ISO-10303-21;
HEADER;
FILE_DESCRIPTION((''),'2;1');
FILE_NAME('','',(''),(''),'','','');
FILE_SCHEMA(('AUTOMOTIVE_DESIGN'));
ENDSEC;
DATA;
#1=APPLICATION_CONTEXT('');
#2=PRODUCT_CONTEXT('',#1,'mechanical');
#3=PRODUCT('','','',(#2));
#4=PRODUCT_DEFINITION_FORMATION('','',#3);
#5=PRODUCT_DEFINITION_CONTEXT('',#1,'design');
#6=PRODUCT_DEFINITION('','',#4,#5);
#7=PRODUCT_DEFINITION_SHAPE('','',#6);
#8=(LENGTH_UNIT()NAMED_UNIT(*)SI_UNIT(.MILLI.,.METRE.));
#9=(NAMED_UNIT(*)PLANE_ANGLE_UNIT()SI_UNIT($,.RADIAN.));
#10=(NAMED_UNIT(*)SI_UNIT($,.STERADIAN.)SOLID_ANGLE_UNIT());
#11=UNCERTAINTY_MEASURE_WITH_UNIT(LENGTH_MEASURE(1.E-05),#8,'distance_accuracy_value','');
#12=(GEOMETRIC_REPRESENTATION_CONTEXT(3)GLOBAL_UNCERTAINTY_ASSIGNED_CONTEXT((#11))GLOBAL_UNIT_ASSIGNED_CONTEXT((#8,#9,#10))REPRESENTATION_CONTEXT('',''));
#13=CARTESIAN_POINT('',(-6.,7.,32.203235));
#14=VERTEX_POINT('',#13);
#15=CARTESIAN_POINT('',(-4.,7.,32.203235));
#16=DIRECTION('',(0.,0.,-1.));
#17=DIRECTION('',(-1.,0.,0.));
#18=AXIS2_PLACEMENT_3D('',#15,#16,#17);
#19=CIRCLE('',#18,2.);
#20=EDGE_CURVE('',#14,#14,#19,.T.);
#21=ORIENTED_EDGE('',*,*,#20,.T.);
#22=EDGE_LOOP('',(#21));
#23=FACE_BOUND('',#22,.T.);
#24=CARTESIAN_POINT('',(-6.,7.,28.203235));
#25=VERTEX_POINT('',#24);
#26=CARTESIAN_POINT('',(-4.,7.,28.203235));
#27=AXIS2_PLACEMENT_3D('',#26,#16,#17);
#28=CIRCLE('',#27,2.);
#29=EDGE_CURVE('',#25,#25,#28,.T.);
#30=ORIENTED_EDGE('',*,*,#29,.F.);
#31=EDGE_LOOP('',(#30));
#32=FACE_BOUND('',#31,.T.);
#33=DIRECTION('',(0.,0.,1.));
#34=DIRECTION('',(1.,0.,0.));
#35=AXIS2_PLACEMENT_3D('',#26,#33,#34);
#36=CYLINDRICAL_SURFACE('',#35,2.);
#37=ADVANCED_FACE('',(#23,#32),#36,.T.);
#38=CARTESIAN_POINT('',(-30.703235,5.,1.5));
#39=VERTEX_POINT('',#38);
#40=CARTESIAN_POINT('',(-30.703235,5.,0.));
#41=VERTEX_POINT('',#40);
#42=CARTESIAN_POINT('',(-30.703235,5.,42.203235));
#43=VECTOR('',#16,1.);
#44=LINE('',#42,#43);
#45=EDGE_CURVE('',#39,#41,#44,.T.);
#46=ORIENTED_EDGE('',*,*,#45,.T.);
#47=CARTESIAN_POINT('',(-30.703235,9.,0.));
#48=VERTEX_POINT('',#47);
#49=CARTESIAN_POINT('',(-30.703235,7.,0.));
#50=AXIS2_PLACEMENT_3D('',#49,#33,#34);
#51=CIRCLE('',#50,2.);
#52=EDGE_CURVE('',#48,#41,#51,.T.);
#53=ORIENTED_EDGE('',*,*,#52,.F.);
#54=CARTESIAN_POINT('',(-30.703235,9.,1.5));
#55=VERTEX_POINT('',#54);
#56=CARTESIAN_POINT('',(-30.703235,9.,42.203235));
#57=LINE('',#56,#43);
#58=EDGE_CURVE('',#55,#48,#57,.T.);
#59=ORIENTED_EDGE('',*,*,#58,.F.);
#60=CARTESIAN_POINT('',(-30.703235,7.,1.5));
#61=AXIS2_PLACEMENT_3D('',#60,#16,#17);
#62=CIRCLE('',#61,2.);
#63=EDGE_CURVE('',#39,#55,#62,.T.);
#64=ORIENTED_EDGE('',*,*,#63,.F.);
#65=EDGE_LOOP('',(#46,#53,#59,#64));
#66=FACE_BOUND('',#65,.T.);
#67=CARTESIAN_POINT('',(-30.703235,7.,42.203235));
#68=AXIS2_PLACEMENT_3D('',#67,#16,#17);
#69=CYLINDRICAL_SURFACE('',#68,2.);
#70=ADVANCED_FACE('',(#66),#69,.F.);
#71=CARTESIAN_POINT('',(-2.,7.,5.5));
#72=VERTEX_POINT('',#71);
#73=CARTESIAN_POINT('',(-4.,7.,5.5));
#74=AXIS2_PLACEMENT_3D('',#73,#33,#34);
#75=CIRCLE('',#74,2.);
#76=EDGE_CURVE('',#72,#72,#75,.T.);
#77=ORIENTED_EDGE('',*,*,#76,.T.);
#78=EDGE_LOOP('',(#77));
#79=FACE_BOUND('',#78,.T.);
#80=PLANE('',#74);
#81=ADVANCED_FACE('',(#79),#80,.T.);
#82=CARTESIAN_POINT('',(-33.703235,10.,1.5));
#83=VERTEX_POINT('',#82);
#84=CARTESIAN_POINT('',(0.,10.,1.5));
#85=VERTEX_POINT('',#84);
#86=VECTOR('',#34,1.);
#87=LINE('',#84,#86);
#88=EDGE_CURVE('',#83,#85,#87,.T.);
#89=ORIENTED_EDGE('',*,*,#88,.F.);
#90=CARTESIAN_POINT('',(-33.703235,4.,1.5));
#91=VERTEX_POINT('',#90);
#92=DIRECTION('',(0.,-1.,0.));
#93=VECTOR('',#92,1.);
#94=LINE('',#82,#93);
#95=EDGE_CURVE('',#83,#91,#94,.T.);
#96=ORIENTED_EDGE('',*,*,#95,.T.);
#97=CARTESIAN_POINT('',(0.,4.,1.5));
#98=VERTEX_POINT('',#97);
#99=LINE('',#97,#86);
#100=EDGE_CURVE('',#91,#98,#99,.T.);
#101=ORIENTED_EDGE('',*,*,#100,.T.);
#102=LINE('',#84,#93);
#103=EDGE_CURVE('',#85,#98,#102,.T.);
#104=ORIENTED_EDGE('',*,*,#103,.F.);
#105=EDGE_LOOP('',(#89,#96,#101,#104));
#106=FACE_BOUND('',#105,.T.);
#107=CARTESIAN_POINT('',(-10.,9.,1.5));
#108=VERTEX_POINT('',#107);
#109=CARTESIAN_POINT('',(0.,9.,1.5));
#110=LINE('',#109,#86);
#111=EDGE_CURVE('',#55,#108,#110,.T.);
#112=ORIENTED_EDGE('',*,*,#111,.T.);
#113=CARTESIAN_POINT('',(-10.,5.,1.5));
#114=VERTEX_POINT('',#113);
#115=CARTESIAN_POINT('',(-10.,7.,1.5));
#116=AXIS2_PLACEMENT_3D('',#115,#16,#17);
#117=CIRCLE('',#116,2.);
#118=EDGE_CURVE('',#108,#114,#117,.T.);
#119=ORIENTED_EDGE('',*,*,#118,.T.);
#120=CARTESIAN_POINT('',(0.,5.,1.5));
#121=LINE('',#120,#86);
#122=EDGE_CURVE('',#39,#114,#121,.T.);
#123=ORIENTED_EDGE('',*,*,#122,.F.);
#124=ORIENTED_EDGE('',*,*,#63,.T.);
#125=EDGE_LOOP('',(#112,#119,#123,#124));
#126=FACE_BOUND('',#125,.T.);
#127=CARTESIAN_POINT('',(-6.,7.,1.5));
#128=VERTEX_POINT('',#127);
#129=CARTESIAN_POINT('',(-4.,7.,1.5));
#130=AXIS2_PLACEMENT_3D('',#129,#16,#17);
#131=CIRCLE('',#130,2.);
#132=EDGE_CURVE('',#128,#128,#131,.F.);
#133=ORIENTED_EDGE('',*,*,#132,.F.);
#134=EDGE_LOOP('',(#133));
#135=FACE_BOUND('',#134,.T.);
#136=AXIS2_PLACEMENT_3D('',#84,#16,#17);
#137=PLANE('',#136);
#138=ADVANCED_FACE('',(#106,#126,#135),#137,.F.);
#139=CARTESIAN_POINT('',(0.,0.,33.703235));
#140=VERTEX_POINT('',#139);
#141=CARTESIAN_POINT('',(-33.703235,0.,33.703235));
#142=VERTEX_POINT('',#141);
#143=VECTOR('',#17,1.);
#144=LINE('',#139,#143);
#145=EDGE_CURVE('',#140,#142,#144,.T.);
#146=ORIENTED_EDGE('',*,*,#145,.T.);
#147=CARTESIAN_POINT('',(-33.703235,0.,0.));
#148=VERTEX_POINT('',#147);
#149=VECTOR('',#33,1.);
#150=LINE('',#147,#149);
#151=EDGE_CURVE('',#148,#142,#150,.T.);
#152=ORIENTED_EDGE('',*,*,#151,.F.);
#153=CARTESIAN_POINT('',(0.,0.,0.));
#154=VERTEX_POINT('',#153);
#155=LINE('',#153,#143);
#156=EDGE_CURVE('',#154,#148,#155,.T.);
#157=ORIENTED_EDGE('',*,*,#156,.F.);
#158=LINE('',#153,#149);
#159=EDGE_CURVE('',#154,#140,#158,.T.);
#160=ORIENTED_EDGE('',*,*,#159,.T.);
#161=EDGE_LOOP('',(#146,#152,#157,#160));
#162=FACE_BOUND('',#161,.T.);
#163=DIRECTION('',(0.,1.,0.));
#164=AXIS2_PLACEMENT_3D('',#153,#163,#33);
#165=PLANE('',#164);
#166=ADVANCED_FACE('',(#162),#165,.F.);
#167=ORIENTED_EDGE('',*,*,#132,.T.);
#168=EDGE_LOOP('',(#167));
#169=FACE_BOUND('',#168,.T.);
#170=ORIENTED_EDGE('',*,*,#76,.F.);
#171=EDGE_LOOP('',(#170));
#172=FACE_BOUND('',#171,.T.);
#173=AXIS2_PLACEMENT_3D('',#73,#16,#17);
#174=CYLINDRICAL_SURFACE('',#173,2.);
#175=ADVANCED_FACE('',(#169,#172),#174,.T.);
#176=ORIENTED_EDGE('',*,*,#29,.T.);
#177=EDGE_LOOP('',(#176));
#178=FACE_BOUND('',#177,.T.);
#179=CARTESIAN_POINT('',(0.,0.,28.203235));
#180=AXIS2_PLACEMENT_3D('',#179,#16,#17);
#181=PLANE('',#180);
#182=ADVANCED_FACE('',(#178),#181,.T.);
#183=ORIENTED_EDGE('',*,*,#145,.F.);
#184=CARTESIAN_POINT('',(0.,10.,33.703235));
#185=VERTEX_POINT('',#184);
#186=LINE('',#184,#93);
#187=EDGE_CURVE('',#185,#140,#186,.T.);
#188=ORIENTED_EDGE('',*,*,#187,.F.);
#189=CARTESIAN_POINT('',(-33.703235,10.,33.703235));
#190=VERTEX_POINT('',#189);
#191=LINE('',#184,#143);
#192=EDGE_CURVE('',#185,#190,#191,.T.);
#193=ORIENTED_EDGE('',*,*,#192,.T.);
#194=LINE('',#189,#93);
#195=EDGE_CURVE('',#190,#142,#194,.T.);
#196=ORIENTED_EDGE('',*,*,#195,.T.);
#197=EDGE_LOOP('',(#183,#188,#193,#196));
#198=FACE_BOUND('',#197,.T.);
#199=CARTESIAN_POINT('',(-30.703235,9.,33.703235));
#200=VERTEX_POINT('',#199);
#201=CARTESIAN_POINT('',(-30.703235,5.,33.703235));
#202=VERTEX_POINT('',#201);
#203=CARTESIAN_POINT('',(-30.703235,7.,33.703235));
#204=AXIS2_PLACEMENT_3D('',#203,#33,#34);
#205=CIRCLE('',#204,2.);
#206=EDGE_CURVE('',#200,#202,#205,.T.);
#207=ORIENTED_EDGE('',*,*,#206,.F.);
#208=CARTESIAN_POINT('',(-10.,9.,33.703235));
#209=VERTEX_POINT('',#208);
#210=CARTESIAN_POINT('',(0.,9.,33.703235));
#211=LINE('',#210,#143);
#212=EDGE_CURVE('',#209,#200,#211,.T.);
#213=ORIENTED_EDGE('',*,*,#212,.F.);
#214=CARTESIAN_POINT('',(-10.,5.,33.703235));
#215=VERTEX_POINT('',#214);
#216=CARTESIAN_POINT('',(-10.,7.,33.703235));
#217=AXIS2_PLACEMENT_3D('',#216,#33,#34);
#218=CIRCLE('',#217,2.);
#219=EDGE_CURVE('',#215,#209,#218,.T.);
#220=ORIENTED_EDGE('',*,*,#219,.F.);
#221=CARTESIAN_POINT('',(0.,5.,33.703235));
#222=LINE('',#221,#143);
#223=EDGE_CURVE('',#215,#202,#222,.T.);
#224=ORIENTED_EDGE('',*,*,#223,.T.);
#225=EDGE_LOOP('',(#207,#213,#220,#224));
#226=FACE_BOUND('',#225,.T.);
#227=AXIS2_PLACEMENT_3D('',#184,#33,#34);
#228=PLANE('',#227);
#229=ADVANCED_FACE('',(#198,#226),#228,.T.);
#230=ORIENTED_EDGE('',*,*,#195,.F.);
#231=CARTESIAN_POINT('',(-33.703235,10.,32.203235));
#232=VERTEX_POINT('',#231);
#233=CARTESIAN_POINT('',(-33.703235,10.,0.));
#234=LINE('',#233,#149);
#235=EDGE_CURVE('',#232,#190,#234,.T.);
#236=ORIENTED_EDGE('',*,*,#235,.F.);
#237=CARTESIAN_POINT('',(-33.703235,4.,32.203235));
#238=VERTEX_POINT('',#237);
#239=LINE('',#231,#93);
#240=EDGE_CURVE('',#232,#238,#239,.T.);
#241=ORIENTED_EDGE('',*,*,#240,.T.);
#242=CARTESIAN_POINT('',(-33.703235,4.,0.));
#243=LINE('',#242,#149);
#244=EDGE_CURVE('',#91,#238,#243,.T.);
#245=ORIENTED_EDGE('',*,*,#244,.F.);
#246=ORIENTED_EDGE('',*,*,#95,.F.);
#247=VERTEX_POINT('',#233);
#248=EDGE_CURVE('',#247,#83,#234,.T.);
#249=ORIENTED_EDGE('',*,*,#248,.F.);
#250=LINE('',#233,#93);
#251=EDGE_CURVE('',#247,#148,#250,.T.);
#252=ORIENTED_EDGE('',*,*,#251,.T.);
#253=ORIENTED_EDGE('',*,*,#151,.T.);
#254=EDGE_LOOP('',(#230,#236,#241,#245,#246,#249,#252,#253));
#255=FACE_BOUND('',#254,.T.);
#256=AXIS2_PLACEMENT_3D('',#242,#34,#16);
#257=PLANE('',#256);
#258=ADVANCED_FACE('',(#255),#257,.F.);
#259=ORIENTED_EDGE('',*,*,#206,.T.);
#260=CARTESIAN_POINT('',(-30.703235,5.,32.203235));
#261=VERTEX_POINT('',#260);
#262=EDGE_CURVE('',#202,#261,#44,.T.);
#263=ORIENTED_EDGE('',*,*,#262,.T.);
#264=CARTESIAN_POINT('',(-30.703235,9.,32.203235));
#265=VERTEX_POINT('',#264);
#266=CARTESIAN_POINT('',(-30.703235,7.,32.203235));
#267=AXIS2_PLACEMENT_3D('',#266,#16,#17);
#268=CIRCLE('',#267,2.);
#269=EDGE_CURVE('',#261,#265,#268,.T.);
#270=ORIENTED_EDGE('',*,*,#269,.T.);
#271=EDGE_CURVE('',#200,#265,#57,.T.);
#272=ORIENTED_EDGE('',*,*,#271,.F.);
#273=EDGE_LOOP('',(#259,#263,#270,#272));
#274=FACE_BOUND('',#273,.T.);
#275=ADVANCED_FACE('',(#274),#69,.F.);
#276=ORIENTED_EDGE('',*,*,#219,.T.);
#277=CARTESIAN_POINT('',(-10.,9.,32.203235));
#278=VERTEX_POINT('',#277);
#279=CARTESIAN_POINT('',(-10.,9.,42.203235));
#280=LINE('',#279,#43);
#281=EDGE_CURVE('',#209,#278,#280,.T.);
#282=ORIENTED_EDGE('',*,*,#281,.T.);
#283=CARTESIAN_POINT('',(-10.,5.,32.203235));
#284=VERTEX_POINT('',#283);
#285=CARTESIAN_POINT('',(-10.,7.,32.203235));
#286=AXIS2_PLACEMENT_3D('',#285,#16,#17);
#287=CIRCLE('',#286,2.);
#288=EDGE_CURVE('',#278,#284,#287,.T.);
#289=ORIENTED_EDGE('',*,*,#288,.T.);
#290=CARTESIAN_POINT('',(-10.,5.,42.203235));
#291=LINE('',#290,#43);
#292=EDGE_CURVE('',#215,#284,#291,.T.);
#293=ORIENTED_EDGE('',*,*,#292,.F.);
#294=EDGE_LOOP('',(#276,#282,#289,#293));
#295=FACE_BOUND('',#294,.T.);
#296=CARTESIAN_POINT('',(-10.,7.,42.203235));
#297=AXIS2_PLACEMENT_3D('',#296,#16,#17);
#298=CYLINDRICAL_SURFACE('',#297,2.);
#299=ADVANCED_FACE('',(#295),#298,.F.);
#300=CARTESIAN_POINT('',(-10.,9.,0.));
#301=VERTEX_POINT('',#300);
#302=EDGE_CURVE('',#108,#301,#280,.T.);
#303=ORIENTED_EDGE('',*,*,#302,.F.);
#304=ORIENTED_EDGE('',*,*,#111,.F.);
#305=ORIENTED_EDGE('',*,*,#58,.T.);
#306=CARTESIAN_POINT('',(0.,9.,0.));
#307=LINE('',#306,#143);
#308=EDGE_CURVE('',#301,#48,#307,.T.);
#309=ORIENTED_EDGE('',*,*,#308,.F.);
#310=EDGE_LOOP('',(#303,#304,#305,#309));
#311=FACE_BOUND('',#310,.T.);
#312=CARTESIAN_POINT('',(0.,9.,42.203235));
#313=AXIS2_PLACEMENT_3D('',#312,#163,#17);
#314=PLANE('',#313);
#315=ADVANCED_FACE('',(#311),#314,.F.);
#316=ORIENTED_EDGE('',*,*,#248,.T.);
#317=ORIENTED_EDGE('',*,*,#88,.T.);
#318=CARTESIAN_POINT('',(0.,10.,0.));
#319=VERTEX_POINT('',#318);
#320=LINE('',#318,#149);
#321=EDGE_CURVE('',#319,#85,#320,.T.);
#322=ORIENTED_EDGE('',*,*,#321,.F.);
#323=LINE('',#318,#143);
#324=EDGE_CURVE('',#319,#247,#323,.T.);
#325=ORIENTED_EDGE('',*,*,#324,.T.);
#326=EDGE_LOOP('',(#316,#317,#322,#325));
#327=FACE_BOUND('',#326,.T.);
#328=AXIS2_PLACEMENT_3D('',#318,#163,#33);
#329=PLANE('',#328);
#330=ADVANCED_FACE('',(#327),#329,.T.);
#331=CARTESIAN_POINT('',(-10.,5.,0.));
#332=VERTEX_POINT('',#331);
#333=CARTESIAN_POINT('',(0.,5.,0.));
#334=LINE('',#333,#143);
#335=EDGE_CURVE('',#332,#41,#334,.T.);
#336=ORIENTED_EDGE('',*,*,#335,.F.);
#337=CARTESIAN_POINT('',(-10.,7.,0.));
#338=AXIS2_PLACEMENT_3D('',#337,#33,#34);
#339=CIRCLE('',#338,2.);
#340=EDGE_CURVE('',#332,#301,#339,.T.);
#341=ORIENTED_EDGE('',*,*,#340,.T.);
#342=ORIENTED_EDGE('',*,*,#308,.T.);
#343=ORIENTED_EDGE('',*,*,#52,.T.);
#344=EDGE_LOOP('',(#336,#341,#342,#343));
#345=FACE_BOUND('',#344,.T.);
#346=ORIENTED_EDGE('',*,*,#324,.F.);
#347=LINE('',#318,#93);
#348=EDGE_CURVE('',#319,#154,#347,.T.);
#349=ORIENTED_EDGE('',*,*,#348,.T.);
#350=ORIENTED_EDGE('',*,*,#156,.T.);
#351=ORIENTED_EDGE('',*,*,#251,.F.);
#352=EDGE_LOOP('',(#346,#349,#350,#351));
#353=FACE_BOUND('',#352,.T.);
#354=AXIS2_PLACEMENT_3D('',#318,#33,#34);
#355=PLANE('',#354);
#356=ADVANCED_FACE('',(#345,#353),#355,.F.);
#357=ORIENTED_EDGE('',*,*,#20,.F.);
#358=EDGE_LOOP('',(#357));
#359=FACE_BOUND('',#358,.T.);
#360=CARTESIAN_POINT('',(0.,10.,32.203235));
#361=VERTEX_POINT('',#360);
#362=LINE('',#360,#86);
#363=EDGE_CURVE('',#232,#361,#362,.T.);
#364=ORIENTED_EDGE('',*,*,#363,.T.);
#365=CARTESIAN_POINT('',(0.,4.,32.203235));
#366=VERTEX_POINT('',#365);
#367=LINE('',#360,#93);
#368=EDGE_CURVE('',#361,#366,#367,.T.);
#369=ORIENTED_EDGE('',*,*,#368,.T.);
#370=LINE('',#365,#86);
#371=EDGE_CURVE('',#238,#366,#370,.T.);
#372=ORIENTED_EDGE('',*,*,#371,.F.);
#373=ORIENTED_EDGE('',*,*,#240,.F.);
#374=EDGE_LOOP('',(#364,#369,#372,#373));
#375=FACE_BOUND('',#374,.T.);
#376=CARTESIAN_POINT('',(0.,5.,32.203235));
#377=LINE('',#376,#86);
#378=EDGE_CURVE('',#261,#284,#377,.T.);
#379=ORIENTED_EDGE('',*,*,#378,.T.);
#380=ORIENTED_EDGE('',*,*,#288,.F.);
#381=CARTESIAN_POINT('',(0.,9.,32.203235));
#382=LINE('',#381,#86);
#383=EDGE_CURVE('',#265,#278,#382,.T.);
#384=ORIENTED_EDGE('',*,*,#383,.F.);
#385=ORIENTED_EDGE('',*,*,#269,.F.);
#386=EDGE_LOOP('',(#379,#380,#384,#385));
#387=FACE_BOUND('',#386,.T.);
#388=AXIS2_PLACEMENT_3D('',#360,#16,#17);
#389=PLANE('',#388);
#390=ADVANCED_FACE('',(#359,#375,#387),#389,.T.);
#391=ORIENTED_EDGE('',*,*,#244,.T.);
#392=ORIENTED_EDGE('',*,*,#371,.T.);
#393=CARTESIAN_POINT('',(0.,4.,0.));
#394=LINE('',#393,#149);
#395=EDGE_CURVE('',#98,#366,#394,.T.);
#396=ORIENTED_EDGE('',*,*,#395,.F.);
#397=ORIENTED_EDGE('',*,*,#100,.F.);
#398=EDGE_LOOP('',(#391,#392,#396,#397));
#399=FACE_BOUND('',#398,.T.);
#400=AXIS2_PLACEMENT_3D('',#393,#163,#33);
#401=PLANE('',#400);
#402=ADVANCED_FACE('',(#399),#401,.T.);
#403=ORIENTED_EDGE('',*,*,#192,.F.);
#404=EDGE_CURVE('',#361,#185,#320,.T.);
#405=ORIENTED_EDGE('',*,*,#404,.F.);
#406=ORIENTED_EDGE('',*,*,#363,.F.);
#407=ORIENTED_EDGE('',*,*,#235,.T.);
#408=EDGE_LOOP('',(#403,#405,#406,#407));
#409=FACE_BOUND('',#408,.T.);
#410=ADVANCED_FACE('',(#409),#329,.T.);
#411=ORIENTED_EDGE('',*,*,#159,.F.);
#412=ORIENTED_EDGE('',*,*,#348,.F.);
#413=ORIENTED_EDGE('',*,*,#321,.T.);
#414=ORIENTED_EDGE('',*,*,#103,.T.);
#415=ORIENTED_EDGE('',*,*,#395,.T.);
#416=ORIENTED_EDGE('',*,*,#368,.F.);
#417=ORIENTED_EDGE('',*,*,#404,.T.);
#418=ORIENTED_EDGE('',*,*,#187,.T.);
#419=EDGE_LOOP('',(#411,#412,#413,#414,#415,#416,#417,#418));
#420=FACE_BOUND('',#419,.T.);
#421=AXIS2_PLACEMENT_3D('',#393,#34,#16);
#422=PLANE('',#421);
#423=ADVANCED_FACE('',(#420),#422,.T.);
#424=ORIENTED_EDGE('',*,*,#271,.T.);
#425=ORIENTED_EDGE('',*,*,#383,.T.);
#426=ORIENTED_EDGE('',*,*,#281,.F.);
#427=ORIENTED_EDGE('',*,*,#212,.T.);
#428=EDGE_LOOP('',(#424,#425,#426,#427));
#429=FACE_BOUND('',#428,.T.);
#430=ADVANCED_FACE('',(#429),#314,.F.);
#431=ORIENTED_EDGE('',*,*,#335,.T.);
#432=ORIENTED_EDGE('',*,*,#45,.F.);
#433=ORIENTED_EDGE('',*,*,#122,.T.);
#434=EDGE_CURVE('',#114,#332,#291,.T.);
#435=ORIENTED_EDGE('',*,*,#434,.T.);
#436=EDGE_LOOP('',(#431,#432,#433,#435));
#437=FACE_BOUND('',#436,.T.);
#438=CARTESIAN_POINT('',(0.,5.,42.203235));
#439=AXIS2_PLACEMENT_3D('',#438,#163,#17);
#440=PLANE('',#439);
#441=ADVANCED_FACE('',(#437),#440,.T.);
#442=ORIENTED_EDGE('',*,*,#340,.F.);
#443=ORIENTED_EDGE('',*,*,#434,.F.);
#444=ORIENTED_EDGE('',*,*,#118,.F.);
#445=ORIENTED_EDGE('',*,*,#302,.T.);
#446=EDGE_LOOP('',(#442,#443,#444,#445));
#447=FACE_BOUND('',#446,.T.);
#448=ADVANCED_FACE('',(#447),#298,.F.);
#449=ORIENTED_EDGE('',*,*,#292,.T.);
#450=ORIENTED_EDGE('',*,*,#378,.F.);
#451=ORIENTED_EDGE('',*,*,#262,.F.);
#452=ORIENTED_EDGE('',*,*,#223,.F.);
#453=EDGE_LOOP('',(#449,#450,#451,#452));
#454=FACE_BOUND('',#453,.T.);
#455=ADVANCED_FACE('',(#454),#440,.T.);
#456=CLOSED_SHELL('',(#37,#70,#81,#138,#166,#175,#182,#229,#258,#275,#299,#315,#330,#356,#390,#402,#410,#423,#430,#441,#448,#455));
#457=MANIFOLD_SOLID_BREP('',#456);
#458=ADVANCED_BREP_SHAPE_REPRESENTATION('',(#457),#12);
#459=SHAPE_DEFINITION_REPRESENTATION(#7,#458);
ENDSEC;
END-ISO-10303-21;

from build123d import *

# Parameters (mm, degrees)
SKETCH1_W               = 33.703234699
SKETCH1_H               = 30.703234699
BOSS_EXTRUDE1_DEPTH     = 4
SKETCH1_3_W             = 33.703234699
SKETCH1_3_H             = 1.5
BOSS_EXTRUDE2_DEPTH     = 10
SKETCH5_R               = 2
BOSS_EXTRUDE3_DEPTH     = 4
BOSS_EXTRUDE4_START     = 4
SKETCH4_R               = 2
BOSS_EXTRUDE4_DEPTH     = 4
CUT_EXTRUDE1_DEPTH      = 38
CUT_EXTRUDE1_DEPTH_BACK = 10


with BuildPart() as part:
    # Sketch1 → Boss-Extrude1 (new body)
    with BuildSketch(Plane(origin=(0, 0, 0), x_dir=(1, 0, 0), z_dir=(0, 1, 0))):
        with Locations((-16.851617349, -16.851617349)):
            Rectangle(SKETCH1_W, SKETCH1_H)
    extrude(amount=BOSS_EXTRUDE1_DEPTH)

    # Sketch1<3> → Boss-Extrude2 (add)
    with BuildSketch(Plane(origin=(0, 0, 0), x_dir=(1, 0, 0), z_dir=(0, 1, 0))):
        with Locations((-16.851617349, -32.953234699)):
            Rectangle(SKETCH1_3_W, SKETCH1_3_H)
        with Locations((-16.851617349, -0.75)):
            Rectangle(SKETCH1_3_W, SKETCH1_3_H)
    extrude(amount=BOSS_EXTRUDE2_DEPTH)

    # Sketch5 → Boss-Extrude3 (add)
    with BuildSketch(Plane(origin=(0, 0, 32.203234699), x_dir=(-1, 0, 0), z_dir=(0, 0, -1))):
        with Locations((4, 7)):
            Circle(SKETCH5_R)
    extrude(amount=BOSS_EXTRUDE3_DEPTH)

    # Sketch4 → Boss-Extrude4 (add)
    with BuildSketch(Plane.XY.offset(1.5).offset(BOSS_EXTRUDE4_START)):
        with Locations((-4, 7)):
            Circle(SKETCH4_R)
    extrude(amount=-BOSS_EXTRUDE4_DEPTH)

    # Sketch11 → Cut-Extrude1 (cut, two sides: drawn at the far end of the back side and taken through both)
    with BuildSketch(Plane(origin=(0, 0, 32.203234699), x_dir=(-1, 0, 0), z_dir=(0, 0, -1)).offset(-CUT_EXTRUDE1_DEPTH_BACK)):
        with BuildLine():
            ThreePointArc((30.703234699, 5), (32.703234699, 7), (30.703234699, 9))
            Line((30.703234699, 9), (10, 9))
            ThreePointArc((10, 9), (8, 7), (10, 5))
            Line((10, 5), (30.703234699, 5))
        make_face()
    extrude(amount=CUT_EXTRUDE1_DEPTH + CUT_EXTRUDE1_DEPTH_BACK, mode=Mode.SUBTRACT)


solid = part.part
